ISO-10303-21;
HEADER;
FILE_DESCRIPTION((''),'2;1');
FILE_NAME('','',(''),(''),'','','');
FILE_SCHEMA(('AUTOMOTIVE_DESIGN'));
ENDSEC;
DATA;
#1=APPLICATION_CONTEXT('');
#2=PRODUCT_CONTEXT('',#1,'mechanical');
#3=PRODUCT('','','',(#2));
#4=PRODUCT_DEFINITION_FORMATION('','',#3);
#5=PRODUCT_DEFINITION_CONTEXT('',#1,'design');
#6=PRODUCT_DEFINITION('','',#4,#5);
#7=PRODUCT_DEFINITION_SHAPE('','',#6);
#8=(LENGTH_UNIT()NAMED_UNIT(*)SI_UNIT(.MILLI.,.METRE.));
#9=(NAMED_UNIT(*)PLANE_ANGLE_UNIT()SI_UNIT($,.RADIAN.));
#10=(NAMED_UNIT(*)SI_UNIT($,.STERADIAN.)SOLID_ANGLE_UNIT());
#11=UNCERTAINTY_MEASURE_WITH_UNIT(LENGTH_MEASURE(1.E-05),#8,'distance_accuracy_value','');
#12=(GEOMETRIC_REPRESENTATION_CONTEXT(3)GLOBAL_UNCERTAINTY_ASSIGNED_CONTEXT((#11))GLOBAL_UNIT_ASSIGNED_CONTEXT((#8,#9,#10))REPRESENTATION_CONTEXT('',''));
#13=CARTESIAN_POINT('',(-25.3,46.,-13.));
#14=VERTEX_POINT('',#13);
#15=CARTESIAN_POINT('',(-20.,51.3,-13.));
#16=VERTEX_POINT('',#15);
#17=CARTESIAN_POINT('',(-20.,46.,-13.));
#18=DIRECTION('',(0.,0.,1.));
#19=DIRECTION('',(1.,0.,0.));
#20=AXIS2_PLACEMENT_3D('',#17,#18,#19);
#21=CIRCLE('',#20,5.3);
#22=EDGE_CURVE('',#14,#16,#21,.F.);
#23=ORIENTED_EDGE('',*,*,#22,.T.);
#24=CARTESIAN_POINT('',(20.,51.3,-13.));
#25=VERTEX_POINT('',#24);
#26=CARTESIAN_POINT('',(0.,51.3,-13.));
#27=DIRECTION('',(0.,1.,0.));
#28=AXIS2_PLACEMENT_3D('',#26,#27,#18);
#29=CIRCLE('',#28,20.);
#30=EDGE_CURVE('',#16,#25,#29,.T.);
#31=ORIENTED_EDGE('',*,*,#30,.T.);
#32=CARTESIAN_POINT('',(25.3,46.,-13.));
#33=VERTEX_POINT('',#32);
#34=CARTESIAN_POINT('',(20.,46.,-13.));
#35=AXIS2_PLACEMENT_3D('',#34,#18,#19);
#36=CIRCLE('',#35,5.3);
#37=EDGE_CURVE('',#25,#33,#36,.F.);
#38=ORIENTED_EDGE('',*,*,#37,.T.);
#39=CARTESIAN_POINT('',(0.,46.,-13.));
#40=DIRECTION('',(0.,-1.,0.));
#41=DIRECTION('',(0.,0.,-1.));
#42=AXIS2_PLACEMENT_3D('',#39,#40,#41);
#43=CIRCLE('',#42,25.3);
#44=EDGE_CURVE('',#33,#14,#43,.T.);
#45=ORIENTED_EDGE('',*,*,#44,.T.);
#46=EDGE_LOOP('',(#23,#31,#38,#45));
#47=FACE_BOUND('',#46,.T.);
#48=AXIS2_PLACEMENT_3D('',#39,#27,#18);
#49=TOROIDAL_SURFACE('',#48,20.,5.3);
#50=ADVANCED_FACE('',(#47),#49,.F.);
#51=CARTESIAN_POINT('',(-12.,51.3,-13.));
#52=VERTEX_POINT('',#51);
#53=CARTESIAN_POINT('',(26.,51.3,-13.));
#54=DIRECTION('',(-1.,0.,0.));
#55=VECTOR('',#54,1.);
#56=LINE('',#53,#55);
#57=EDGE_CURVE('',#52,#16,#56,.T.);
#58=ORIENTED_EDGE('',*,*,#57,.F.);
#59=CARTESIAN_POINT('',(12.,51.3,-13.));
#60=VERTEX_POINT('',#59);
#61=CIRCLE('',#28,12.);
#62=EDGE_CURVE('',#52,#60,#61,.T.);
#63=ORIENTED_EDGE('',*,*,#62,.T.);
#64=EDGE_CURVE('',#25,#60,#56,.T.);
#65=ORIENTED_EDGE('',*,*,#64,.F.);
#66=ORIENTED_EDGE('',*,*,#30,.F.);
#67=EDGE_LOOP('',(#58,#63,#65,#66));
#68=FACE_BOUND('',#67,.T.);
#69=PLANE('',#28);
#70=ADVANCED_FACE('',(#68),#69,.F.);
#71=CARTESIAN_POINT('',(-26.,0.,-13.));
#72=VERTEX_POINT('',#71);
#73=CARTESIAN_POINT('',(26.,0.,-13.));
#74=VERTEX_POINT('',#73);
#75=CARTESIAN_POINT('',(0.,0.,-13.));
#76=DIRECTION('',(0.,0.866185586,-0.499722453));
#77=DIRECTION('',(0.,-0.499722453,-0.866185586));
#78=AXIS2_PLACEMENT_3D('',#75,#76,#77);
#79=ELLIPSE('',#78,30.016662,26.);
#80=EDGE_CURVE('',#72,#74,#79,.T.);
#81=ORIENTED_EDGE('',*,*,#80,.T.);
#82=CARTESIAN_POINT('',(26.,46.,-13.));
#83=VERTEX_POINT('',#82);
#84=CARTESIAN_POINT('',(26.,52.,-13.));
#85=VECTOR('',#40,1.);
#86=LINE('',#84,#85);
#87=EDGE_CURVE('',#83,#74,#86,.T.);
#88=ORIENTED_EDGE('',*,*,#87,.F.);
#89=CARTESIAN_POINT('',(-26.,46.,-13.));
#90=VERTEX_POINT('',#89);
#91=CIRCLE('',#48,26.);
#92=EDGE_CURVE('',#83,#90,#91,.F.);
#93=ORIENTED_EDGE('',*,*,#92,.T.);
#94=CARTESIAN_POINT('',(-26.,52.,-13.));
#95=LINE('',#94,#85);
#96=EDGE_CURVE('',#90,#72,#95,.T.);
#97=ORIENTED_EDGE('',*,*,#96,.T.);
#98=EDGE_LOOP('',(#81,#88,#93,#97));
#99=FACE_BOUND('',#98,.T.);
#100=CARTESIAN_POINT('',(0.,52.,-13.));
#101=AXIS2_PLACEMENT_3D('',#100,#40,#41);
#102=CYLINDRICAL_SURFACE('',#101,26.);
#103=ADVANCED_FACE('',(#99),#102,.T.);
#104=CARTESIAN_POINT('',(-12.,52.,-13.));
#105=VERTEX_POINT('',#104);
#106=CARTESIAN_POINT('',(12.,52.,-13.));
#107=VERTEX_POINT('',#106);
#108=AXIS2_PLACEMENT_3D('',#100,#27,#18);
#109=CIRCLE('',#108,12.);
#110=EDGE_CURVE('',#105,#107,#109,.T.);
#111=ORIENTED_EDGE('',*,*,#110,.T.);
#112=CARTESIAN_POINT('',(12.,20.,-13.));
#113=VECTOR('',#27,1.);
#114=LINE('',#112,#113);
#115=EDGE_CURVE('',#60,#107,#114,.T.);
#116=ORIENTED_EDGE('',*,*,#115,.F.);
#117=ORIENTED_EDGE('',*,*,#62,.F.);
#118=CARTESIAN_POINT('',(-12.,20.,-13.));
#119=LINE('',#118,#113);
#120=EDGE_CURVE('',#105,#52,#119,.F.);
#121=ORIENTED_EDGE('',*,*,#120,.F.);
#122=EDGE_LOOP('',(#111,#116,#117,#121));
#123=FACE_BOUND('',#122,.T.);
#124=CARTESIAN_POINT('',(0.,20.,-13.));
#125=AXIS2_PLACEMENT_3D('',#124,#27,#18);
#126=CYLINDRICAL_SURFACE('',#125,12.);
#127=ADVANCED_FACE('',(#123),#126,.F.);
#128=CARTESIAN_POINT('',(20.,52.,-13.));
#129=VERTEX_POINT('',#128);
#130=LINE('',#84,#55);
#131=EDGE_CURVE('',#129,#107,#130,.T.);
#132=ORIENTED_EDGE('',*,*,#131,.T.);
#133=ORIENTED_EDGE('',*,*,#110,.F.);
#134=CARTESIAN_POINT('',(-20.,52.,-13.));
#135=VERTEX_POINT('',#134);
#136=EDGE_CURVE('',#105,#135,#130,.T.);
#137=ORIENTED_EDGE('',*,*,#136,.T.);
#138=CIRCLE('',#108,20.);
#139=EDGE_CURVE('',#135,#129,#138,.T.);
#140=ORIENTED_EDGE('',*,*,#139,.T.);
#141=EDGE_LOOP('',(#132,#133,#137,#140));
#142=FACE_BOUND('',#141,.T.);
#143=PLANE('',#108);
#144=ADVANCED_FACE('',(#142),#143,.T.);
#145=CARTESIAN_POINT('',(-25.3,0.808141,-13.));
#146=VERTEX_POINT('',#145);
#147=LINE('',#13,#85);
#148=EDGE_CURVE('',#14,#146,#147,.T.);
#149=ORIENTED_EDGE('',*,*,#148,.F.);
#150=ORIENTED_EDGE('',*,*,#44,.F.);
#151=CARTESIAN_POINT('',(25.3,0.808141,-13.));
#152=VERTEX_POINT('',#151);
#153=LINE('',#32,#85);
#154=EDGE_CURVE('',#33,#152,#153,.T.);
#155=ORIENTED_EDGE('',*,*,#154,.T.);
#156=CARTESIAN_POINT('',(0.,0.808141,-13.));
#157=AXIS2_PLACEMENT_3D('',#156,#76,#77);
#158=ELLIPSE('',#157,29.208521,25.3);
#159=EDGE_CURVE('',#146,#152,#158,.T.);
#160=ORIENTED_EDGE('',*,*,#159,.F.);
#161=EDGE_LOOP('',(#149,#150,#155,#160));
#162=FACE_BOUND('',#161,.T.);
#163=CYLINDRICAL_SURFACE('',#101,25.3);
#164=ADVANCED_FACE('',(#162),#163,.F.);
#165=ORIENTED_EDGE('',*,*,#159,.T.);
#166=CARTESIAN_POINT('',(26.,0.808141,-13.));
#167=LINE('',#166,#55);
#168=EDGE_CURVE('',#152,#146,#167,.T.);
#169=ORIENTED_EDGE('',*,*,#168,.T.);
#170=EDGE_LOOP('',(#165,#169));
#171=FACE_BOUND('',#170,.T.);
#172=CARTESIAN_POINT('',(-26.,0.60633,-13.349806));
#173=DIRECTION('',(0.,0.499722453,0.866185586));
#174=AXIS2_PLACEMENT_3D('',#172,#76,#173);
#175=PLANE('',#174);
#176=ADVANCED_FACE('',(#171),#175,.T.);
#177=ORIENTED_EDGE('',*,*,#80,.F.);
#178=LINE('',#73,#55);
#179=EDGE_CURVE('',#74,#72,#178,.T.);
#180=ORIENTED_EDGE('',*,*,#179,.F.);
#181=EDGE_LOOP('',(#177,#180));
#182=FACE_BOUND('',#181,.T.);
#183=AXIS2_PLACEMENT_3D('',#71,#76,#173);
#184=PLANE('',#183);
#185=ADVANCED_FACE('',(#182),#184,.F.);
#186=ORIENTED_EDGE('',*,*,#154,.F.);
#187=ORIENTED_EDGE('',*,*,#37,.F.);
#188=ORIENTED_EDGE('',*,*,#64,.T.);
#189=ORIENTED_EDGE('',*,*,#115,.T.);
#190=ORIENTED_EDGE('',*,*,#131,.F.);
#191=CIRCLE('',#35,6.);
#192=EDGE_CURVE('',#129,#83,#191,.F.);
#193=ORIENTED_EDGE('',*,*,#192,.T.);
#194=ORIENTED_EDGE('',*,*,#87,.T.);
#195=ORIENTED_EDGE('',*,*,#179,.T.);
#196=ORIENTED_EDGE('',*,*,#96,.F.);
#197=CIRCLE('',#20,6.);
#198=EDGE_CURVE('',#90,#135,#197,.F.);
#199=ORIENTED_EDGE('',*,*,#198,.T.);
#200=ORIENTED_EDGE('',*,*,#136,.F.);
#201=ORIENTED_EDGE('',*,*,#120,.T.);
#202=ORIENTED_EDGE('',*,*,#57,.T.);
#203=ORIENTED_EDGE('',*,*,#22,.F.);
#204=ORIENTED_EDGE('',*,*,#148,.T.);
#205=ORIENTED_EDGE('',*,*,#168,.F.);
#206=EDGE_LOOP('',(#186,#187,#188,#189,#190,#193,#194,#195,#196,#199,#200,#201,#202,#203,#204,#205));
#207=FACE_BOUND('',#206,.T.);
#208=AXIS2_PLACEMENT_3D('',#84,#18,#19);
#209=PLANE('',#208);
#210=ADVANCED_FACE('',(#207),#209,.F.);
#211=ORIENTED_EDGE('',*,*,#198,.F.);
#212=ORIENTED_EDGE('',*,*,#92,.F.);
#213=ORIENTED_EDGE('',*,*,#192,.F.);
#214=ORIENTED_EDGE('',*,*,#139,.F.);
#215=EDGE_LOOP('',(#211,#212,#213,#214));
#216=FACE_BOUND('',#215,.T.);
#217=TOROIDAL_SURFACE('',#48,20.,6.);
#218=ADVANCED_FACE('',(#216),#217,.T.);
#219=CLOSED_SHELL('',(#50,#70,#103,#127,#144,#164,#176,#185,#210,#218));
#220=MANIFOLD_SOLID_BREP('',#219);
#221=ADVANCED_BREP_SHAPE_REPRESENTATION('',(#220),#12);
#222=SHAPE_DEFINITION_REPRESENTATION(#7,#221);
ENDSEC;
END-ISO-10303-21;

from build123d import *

# Parameters (mm, degrees)
BOSS_EXTRUDE1_DEPTH     = 52
FILLET1_R               = 6
CUT_EXTRUDE1_DEPTH      = 60.573484078
CUT_EXTRUDE1_DEPTH_BACK = 60.573484078
SHELL1_T                = -0.7
SKETCH3_R               = 12
CUT_EXTRUDE2_DEPTH      = 32


with BuildPart() as part:
    # Sketch1 → Boss-Extrude1 (new body)
    with BuildSketch(Plane(origin=(0, 0, 0), x_dir=(1, 0, 0), z_dir=(0, 1, 0))):
        with BuildLine():
            Line((26, 13), (-26, 13))
            ThreePointArc((-26, 13), (0, -13), (26, 13))
        make_face()
    extrude(amount=BOSS_EXTRUDE1_DEPTH)

    # Fillet1
    fillet1_edges = [part.edges().sort_by_distance(p)[0] for p in [
        (0, 52, 13),
    ]]
    fillet(fillet1_edges, radius=FILLET1_R)

    # Sketch2 → Cut-Extrude1 (cut, two sides: drawn at the far end of the back side and taken through both)
    with BuildSketch(Plane(origin=(0, 0, 0), x_dir=(0, 0, -1), z_dir=(1, 0, 0)).offset(-CUT_EXTRUDE1_DEPTH_BACK)):
        Polygon((13, 0), (-13, 15), (-13, 0), align=None)
    extrude(amount=CUT_EXTRUDE1_DEPTH + CUT_EXTRUDE1_DEPTH_BACK, mode=Mode.SUBTRACT)

    # Shell1
    shell1_openings = [part.faces().sort_by_distance(p)[0] for p in [
        (0, 25.858277944, -13),
    ]]
    offset(amount=SHELL1_T, openings=shell1_openings)

    # Sketch3 → Cut-Extrude2 (cut)
    with BuildSketch(Plane(origin=(0, 52, 0), x_dir=(1, 0, 0), z_dir=(0, 1, 0))):
        with Locations((0, 13)):
            Circle(SKETCH3_R)
    extrude(amount=-CUT_EXTRUDE2_DEPTH, mode=Mode.SUBTRACT)


solid = part.part
